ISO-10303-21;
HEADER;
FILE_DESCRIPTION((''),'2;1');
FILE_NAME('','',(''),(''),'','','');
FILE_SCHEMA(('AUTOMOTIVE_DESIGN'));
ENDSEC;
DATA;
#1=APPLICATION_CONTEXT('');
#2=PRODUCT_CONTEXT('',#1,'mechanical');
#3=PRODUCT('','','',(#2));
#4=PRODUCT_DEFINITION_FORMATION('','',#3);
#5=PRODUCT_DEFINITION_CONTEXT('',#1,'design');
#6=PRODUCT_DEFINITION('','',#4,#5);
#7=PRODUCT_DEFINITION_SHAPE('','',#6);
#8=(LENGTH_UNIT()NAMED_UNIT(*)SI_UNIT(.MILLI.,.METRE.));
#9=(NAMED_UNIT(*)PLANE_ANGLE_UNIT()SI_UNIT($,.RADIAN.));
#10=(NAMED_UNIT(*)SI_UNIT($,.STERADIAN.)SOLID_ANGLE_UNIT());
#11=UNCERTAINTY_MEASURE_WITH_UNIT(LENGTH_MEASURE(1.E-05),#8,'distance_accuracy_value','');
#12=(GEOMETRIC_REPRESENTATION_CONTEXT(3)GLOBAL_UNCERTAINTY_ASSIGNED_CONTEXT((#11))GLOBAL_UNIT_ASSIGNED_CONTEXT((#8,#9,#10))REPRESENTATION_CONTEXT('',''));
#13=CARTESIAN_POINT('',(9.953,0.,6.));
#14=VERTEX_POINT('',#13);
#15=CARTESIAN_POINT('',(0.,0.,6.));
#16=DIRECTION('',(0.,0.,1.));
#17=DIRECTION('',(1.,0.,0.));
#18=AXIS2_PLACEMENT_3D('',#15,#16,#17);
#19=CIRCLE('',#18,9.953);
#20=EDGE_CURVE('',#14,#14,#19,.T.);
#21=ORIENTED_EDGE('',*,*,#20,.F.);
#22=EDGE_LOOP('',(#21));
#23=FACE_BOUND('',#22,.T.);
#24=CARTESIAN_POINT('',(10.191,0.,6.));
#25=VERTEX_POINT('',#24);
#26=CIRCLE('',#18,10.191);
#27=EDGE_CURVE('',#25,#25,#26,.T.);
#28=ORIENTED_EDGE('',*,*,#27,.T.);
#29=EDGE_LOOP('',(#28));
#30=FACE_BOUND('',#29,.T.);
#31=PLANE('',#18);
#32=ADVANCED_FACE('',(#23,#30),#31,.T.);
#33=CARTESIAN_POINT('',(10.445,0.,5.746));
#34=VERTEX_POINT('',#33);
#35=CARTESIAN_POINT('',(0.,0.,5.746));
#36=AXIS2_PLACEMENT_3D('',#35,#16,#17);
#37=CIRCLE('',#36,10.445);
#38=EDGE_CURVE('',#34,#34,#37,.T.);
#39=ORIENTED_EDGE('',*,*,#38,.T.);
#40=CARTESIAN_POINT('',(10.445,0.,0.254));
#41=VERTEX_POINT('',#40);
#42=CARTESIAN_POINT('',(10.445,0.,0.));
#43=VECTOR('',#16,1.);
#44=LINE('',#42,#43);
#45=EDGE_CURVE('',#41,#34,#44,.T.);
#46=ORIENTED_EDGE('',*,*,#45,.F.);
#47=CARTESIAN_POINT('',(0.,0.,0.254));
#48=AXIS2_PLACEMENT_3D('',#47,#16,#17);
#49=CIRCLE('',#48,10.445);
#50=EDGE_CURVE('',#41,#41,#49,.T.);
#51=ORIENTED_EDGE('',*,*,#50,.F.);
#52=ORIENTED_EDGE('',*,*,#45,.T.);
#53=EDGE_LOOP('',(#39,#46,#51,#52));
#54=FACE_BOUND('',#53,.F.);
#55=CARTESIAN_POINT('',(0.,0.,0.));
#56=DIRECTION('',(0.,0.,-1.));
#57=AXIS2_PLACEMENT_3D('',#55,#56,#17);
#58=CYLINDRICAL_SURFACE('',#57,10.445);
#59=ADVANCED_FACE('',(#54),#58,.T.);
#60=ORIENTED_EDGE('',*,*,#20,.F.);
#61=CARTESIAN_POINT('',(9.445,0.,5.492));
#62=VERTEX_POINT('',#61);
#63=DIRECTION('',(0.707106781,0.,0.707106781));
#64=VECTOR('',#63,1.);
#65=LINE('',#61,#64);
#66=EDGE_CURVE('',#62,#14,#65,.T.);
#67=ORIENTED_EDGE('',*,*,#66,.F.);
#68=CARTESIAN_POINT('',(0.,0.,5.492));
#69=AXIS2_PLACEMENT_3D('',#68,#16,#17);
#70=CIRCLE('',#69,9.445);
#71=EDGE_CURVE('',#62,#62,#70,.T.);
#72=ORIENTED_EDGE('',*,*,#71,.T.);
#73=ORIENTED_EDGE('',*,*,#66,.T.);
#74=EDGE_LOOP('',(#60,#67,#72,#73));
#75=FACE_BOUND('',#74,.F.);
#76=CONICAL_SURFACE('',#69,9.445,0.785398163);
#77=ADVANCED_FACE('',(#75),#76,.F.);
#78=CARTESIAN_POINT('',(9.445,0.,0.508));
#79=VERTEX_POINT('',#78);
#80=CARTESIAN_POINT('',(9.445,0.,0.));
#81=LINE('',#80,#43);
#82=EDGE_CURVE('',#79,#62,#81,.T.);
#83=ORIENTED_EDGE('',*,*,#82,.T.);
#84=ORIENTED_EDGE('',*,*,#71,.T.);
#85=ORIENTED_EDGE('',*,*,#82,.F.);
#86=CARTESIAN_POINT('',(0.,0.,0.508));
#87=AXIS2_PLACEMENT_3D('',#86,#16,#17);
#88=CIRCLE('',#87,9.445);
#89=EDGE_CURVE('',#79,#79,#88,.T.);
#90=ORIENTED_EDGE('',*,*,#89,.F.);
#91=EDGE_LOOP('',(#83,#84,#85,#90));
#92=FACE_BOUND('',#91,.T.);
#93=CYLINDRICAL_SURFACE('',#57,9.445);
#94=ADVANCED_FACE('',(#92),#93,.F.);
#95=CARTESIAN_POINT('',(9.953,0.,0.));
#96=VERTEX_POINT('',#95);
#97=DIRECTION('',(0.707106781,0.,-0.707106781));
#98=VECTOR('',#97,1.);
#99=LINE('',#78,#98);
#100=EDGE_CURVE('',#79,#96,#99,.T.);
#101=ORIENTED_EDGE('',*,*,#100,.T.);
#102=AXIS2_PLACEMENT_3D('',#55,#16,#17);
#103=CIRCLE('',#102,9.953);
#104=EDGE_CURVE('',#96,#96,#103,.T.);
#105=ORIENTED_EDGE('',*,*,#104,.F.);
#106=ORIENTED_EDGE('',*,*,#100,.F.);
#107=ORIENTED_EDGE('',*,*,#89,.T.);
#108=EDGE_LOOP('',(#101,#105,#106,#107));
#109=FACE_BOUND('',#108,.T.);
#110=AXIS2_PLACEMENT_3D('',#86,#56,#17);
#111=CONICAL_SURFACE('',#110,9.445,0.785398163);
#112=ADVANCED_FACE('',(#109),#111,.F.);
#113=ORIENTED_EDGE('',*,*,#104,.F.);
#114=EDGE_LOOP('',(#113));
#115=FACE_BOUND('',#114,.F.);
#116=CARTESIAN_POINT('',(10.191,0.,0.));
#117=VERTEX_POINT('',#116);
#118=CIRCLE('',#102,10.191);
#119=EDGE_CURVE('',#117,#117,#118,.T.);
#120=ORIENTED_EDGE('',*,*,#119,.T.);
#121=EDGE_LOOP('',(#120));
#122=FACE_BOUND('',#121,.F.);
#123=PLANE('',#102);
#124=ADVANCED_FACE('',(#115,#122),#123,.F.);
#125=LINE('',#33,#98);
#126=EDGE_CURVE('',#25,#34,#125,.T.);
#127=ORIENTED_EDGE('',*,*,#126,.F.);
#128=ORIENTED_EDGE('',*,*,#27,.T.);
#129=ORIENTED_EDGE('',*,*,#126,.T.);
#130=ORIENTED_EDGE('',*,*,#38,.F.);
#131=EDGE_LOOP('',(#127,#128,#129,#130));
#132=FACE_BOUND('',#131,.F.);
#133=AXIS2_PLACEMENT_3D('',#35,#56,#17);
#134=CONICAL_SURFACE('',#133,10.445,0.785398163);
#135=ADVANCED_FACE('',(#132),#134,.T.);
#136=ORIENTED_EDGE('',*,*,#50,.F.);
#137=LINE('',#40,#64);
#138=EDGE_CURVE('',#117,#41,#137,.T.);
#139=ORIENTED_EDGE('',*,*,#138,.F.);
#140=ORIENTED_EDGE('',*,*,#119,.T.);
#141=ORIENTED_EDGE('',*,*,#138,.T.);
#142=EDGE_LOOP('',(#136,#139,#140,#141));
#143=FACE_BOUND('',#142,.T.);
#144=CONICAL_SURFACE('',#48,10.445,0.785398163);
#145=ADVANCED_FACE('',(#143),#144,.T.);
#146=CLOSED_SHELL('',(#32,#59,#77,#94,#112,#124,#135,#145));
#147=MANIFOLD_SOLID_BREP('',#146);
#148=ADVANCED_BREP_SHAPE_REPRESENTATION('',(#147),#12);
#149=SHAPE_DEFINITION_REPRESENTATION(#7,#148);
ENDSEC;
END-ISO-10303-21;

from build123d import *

# Parameters (mm, degrees)
F0_R     = 10.445
F0_R_2   = 9.445
F1_DEPTH = 6
F2_SIZE  = 0.508
F3_SIZE  = 0.254


with BuildPart() as f1:
    # F0 (on Top) → F1 (new body)
    with BuildSketch(Plane.XY):
        Circle(F0_R)
        Circle(F0_R_2, mode=Mode.SUBTRACT)
    extrude(amount=F1_DEPTH)

    # F2
    f2_edges = [f1.edges().sort_by_distance(p)[0] for p in [
        (-9.445, 0, 6),
        (-9.445, 0, 0),
    ]]
    chamfer(f2_edges, length=F2_SIZE)

    # F3
    f3_edges = [f1.edges().sort_by_distance(p)[0] for p in [
        (-10.445, 0, 6),
        (-10.445, 0, 0),
    ]]
    chamfer(f3_edges, length=F3_SIZE)


solid = f1.part
